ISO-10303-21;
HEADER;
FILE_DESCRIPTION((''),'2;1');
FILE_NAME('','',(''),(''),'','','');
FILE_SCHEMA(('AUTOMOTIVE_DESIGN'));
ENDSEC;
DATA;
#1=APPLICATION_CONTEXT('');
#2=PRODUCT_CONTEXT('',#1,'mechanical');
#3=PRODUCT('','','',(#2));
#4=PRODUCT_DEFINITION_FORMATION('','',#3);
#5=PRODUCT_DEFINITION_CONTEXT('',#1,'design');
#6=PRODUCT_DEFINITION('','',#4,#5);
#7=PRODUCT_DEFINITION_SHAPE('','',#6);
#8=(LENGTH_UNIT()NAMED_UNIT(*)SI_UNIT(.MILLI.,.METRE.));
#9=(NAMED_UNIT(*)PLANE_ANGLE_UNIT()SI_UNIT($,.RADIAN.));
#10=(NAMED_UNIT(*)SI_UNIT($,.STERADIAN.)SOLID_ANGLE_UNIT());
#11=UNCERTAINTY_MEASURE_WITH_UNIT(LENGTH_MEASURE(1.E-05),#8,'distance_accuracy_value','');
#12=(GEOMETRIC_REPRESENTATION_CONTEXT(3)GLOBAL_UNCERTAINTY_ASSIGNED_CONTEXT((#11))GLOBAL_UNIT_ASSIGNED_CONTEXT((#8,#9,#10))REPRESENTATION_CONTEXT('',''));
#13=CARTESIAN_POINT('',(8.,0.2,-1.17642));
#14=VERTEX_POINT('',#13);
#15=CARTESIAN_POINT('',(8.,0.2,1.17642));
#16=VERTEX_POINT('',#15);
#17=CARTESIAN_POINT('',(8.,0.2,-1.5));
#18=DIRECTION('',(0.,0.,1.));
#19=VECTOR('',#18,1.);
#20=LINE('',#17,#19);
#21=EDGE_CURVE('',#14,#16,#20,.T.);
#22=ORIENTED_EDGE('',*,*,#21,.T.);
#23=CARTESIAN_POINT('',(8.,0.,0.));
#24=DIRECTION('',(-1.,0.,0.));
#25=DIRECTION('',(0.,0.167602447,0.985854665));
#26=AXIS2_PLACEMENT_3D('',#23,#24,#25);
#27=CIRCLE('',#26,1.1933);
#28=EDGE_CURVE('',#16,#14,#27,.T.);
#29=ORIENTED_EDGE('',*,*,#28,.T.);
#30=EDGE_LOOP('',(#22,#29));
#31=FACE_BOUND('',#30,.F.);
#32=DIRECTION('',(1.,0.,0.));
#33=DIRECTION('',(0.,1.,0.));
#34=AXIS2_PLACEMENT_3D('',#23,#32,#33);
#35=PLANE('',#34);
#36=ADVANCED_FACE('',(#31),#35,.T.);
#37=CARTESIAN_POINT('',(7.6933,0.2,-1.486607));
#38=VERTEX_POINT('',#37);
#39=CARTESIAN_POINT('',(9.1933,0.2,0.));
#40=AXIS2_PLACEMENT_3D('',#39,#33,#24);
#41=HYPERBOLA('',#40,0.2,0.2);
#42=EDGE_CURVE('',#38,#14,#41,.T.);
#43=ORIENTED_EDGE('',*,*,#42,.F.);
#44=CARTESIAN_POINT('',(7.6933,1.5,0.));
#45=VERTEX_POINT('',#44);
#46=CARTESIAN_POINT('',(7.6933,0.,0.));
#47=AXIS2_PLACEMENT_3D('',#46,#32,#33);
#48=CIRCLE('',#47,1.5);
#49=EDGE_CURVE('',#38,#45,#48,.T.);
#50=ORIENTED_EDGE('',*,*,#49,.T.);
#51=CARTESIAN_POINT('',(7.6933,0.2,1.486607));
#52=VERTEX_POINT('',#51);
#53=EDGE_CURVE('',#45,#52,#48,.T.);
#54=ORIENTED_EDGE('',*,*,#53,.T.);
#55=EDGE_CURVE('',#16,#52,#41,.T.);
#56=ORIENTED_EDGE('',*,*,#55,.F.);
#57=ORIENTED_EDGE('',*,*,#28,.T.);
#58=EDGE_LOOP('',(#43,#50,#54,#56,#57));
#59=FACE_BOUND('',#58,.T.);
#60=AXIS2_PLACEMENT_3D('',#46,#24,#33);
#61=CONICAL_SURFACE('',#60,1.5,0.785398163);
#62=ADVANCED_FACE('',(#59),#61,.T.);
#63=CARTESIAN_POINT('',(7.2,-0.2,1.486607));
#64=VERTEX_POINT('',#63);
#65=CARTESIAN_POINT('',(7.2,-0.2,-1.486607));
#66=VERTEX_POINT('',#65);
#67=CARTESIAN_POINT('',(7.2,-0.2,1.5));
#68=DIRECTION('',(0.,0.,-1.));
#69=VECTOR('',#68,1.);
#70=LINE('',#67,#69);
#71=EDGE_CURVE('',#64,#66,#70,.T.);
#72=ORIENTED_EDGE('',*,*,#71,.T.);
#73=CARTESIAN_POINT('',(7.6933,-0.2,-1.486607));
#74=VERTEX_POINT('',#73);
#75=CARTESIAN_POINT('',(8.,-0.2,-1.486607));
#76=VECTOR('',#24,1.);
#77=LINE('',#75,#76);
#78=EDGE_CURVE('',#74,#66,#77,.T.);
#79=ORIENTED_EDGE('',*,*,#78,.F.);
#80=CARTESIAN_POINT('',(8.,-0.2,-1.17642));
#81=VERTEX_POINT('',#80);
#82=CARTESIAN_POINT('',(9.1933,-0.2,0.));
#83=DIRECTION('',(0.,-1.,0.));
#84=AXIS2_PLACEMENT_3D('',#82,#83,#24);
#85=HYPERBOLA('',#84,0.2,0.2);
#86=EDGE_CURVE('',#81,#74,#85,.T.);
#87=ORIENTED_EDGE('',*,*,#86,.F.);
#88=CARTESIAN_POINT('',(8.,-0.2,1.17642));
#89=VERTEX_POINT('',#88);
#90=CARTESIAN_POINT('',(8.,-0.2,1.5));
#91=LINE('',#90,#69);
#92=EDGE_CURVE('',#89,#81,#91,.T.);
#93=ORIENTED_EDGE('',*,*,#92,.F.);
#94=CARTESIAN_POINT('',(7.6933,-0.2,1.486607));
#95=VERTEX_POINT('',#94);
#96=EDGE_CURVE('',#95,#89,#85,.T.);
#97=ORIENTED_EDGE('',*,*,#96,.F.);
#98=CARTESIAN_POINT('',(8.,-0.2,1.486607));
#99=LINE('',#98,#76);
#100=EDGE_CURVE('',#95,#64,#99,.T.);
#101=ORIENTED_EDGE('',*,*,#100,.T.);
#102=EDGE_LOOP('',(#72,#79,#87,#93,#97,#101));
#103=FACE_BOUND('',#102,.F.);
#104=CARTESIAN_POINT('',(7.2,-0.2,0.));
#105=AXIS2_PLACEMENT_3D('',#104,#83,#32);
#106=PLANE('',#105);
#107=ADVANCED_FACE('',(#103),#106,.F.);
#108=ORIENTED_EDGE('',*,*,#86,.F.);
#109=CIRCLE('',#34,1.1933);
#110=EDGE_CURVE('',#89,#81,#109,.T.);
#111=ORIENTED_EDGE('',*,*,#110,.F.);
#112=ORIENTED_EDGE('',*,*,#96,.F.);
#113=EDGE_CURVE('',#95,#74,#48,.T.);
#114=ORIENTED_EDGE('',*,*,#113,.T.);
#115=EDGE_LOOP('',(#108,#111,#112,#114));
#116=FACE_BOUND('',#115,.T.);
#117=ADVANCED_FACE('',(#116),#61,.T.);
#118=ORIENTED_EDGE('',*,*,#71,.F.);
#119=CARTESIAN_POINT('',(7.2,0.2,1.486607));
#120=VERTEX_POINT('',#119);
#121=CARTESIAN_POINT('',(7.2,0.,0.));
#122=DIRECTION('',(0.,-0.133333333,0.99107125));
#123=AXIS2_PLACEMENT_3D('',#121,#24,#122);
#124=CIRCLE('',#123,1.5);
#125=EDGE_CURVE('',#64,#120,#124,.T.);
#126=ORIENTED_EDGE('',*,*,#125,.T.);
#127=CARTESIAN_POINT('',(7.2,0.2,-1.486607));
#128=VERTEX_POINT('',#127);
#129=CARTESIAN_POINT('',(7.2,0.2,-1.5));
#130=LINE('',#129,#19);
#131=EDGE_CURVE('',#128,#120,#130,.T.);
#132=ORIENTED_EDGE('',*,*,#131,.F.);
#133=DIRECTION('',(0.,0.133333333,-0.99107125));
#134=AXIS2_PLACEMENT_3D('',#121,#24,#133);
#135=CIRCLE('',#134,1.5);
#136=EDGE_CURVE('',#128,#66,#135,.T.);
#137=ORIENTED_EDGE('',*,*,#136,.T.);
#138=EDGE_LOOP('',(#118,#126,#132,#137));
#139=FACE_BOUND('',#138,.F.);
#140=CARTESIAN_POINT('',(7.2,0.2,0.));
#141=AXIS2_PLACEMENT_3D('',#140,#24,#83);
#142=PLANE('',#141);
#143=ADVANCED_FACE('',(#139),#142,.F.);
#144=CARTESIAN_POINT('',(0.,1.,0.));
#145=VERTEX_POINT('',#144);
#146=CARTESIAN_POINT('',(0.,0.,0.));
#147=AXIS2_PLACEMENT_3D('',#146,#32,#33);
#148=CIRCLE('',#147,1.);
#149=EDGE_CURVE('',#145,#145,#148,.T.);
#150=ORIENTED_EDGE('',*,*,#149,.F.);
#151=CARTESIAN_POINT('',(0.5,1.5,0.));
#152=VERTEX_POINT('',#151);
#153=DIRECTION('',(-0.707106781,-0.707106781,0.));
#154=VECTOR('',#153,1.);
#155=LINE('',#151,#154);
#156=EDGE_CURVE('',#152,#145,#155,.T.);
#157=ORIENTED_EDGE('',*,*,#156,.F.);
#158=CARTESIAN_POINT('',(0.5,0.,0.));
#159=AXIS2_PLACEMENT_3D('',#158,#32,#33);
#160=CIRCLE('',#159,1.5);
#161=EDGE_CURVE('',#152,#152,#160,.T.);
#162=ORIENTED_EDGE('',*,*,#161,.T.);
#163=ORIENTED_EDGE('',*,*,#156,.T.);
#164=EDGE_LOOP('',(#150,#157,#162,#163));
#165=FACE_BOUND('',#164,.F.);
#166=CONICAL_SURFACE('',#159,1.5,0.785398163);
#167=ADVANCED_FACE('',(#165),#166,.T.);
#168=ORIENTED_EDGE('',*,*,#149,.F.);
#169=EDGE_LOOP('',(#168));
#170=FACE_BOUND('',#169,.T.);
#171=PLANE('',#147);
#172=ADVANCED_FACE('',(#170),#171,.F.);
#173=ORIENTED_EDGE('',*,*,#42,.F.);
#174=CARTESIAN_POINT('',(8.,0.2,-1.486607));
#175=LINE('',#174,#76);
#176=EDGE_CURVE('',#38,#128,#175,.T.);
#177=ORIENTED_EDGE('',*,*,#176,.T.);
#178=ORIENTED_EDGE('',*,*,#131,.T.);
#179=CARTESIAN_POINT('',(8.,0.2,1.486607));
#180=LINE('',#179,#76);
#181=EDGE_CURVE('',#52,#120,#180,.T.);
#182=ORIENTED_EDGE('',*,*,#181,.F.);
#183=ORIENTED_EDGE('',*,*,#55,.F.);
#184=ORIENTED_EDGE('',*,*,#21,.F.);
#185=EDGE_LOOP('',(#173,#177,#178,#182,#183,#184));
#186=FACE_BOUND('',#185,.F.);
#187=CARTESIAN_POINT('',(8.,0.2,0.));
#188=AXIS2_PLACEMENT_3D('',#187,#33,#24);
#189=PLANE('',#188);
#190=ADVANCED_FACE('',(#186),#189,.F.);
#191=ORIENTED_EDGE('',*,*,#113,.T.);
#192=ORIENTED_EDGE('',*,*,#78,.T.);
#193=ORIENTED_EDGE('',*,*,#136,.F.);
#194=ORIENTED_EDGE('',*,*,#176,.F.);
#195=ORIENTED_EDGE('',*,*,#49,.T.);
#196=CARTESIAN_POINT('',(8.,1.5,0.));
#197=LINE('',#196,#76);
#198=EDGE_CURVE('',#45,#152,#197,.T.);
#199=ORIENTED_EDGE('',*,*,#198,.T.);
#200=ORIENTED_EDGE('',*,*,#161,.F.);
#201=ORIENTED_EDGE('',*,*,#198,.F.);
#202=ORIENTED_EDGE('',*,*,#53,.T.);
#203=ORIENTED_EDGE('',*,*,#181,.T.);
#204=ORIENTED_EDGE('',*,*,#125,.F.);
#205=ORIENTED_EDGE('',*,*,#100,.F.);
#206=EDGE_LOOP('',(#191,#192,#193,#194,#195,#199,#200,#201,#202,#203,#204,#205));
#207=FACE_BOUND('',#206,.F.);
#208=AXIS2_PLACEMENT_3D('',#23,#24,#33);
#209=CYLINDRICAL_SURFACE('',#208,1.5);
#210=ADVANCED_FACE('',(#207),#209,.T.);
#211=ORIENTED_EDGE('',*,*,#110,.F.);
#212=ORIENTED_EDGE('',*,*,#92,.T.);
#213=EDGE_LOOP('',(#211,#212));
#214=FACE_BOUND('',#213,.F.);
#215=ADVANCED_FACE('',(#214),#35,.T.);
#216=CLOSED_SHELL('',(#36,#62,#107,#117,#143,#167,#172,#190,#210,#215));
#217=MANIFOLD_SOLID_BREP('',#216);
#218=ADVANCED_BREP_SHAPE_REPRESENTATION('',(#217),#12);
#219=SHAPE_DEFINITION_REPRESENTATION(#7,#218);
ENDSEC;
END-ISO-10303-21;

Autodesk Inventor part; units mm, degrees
ref_plane "YZ Plane" through (0, 0, 0) normal (1, 0, 0) x (0, 1, 0)
ref_plane "XZ Plane" through (0, 0, 0) normal (0, 1, 0) x (-1, 0, 0)
sketch "Sketch1" plane through (0, 0, 0) normal (0, 0, 1) x (1, 0, 0)
  line L0 (0, 0) -> (8, 0)
  line L1 (8, 0) -> (8, 1.5)
  line L2 (8, 1.5) -> (0, 1.5)
  line L3 (0, -0.3) -> (0, 1.8) projected
  line L4 (0, 1.5) -> (0, 0)
  dimension "d0" = 3
  dimension "d2" = 8
revolve "Body" add sketch "Sketch1" angle 360 about axis through (0, 0, 0) along (1, 0, 0)
chamfer "Chamfer1" distance 0.3067 angle 45 1 edges at (8, -1.5, 0) measured on face at (8, -0.2885, 0.9187)
sketch "Sketch2" plane through (0, 0, 0) normal (0, 0, 1) x (1, 0, 0)
  line L0 (8, 1.1933) -> (8, -1.1933) projected
  line L1 (7.04, 0) -> (8.16, 0) projected
  line L2 (8, 0.2) -> (7.2, 0.2)
  line L3 (7.2, 0.2) -> (7.2, 0)
  line L4 (7.2, -0.2) -> (7.2, 0)
  line L5 (7.2, -0.2) -> (8, -0.2)
  dimension "d8" = 0.2
  dimension "d9" = 0.8
extrude "Slot1" cut sketch "Sketch2" against normal mid plane 3
thread "Thread" size "M3x0.5" class "6g" standard "ISO Metric profile" length 8
chamfer "Chamfer2" distance 0.5 angle 45 1 edges at (0, -1.5, 0) measured on face at (2.5644, -0.6479, 1.3529)
ref_plane "Work Plane1" through (4, 0, 0) normal (0, 0, 1) x (1, 0, 0)
equation "\"d8\" = 0.5 * SBR"
equation "\"d9\" = STI"
equation "\"d10\" = NND"
equation "\"d3\" = -0.5 * GD1 + 0.5 * NND"
equation "\"d4\" = FAWI"
equation "\"d34\" = -0.5 * GD1 + 0.5 * NND"
equation "\"d5\" = NLG"
equation "\"d14\" = FAWI"
equation "\"d0\" = NND"
equation "\"d2\" = NLG"
equation "\"NND\" = 3"
equation "\"NLG\" = 8"
equation "\"FAWI\" = 45deg"
equation "\"GD1\" = THREADDIA - 1.2269 * PTC"
equation "\"FAWI1\" = 45deg"
equation "\"SPD\" = 2"
equation "\"SBR\" = 0.4"
equation "\"STI\" = 0.8"
equation "\"GUL\" = 0.61345 * PTC"
equation "\"THREADDIA\" = 3"
equation "\"TOA\" = 30deg"
equation "\"PTC\" = 0.5"
equation "\"GAL\" = 0.61345 * PTC"
properties part number "ISO 4766 - M3 x 8" material "Stainless Steel, 440C"
